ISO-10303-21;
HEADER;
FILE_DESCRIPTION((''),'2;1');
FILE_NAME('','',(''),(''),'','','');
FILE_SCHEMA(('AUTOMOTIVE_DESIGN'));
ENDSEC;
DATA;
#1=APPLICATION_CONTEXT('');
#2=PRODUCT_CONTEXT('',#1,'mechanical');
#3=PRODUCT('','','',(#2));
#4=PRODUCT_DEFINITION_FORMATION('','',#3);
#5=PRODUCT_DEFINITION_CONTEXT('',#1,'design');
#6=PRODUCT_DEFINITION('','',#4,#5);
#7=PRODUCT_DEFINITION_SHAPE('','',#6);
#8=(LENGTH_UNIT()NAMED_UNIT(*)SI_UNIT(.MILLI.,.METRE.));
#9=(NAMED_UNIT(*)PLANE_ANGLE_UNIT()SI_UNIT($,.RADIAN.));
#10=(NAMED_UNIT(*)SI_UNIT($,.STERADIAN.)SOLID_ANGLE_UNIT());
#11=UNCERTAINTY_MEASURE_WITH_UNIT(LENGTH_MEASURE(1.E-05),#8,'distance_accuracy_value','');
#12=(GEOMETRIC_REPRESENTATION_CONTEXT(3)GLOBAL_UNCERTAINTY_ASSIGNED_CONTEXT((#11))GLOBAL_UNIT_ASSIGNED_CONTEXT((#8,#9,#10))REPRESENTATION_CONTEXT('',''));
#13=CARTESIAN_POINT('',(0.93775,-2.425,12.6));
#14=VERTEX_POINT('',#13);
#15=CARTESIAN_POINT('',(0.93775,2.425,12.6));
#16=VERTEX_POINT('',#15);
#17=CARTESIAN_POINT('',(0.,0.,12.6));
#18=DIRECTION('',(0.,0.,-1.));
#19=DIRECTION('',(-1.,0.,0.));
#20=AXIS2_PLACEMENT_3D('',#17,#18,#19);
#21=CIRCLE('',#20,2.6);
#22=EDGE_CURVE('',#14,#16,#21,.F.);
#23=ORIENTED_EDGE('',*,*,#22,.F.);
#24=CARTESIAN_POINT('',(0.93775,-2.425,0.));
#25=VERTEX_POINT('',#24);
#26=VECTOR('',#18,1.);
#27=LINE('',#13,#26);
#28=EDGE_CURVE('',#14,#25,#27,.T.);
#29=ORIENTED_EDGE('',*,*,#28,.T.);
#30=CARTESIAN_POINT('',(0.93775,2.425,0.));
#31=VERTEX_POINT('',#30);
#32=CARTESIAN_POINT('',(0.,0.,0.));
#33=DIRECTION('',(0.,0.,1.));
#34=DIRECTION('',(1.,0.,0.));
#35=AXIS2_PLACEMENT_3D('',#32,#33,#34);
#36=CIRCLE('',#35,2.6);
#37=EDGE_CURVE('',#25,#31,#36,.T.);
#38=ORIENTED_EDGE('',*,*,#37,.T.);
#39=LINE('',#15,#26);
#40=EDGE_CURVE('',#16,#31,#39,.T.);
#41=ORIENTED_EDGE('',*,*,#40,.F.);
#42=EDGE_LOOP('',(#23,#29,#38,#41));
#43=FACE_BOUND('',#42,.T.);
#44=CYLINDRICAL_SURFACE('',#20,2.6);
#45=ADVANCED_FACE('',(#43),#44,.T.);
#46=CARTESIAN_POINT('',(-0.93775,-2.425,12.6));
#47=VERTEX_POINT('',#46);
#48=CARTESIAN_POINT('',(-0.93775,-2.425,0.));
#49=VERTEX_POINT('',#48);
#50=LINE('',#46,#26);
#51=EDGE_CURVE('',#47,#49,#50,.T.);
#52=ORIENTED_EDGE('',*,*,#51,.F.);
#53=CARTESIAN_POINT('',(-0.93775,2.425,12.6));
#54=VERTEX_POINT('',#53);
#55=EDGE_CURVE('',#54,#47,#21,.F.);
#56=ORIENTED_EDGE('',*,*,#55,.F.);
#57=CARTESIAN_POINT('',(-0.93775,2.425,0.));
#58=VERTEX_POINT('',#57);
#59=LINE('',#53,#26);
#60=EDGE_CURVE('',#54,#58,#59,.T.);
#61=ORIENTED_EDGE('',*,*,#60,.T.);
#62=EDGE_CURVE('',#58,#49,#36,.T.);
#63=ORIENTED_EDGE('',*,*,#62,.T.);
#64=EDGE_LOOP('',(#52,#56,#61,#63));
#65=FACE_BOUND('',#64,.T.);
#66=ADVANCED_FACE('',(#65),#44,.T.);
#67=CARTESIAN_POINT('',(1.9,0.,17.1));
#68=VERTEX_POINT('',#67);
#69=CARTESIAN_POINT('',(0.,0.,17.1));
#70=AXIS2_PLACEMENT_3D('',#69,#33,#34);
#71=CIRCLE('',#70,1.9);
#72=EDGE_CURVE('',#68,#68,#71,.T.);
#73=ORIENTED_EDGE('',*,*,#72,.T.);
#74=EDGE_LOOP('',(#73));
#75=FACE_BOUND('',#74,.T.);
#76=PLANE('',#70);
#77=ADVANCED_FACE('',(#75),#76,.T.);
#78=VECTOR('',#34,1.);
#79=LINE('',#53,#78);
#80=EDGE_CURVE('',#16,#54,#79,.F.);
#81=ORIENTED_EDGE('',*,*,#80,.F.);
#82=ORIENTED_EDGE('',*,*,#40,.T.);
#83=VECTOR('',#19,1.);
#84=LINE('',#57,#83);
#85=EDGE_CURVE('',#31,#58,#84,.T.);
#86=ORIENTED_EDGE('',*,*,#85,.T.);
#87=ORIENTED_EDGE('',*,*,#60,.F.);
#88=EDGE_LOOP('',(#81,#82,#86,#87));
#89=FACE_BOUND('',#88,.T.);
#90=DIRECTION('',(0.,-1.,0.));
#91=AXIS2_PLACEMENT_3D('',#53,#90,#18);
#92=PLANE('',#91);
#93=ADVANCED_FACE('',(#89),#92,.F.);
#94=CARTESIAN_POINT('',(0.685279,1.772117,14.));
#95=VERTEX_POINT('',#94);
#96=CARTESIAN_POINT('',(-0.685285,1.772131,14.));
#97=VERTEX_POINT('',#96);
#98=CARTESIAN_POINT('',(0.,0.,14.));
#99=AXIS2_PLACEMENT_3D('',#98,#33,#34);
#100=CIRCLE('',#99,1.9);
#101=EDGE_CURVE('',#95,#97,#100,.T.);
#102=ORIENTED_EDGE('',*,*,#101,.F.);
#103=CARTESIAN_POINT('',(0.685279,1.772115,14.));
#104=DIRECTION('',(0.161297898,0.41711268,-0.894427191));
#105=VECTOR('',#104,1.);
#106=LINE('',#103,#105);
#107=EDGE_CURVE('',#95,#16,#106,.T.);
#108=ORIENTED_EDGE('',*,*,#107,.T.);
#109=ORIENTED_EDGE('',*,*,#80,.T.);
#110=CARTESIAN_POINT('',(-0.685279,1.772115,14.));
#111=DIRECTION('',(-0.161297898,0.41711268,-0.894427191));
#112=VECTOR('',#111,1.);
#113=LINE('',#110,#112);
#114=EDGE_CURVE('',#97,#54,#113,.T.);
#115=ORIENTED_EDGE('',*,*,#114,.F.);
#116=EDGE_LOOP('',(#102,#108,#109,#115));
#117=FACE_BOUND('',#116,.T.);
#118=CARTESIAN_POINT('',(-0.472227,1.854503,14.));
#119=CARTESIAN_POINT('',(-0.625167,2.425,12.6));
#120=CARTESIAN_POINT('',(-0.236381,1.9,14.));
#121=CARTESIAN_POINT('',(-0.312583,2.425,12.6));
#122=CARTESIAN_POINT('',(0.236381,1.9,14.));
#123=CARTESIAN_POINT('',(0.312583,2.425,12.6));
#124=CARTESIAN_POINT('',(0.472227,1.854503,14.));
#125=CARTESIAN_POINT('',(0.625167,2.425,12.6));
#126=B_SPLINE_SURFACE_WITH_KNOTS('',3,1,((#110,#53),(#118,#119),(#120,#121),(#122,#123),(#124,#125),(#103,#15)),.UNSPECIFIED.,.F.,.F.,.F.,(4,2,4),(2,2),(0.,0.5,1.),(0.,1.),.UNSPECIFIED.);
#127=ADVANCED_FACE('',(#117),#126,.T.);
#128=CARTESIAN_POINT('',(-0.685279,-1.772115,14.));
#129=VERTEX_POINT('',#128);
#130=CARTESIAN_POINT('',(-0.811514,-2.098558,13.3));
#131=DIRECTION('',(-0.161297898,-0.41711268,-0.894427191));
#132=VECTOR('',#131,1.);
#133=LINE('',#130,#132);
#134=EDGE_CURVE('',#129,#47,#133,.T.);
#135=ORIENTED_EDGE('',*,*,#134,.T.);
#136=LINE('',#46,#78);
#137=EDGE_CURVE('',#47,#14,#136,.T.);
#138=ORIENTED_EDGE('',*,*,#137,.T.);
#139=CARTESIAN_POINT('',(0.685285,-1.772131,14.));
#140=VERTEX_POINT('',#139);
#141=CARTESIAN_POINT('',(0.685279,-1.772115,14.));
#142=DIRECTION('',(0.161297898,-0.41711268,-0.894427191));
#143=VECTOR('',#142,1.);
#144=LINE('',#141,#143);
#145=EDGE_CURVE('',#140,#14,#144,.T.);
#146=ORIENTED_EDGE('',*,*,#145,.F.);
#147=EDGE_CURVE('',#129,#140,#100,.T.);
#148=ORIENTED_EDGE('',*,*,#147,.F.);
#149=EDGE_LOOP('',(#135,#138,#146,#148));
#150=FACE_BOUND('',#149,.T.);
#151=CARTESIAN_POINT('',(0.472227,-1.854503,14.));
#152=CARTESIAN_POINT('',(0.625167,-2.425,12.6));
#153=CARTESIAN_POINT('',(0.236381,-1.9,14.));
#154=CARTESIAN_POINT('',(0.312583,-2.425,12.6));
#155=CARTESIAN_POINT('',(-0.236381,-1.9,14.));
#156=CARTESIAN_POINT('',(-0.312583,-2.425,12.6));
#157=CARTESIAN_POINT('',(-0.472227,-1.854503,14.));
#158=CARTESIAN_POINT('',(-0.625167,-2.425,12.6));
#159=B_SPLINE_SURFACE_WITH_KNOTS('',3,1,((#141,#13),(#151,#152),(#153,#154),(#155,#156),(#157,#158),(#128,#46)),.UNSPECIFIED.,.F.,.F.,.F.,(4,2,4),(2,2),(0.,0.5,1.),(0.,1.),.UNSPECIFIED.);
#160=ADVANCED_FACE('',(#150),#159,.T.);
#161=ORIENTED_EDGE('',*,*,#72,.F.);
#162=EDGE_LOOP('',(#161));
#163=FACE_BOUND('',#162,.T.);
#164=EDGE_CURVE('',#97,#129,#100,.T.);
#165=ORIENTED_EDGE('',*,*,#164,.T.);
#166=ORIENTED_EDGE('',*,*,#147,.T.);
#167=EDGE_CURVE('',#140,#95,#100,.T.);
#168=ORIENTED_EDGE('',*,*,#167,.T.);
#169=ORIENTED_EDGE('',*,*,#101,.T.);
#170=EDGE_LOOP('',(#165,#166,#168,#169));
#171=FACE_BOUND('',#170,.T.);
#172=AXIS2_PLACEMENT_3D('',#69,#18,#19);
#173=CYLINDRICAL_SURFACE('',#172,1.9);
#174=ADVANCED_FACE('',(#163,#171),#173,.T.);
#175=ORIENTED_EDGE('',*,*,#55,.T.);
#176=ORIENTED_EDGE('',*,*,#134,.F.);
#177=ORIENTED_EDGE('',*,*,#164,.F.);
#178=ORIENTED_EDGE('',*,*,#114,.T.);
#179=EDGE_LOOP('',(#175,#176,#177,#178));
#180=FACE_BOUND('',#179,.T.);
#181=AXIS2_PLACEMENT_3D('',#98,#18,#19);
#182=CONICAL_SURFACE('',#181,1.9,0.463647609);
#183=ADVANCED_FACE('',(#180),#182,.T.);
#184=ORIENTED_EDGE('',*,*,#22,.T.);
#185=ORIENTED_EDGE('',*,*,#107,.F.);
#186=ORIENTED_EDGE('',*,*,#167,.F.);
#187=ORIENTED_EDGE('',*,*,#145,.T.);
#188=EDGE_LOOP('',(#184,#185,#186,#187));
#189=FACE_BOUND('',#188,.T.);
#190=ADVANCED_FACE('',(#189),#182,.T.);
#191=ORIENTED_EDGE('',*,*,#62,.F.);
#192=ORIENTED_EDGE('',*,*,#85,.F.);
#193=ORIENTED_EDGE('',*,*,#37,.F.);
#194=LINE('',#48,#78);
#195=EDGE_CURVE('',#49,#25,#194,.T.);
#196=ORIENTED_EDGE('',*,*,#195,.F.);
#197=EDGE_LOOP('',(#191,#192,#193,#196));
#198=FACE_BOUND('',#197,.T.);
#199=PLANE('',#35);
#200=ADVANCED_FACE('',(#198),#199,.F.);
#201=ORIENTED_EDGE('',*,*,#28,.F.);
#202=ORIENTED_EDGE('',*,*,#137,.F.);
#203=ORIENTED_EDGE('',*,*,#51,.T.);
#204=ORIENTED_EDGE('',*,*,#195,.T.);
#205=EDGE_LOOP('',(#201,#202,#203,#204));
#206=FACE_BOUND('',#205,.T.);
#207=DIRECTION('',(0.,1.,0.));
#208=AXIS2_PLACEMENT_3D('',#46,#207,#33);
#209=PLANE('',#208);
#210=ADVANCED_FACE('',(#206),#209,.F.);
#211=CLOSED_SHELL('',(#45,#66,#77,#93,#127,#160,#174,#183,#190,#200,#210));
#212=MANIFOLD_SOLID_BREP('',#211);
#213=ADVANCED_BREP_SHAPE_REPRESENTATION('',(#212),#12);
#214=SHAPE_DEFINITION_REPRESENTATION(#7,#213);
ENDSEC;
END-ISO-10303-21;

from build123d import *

# Parameters (mm, degrees)
BOSS_EXTRUDE1_DEPTH = 12.6
SKETCH2_R           = 1.9
BOSS_EXTRUDE2_DEPTH = 3.1


with BuildPart() as part:
    # Sketch1 → Boss-Extrude1 (new body)
    with BuildSketch(Plane.XY):
        with BuildLine():
            Line((-0.937749967, 2.425), (0.937749967, 2.425))
            ThreePointArc((0.937749967, 2.425), (2.6, 0), (0.937749967, -2.425))
            Line((0.937749967, -2.425), (-0.937749967, -2.425))
            ThreePointArc((-0.937749967, -2.425), (-2.6, 0), (-0.937749967, 2.425))
        make_face()
    extrude(amount=BOSS_EXTRUDE1_DEPTH)

    # Sketch2 → Loft1 section 0
    with BuildSketch(Plane.XY.offset(14)):
        Circle(SKETCH2_R)
    # Sketch3 → Loft1 section 1
    with BuildSketch(Plane.XY.offset(12.6)):
        with BuildLine():
            Line((-0.937749967, -2.425), (0.937749967, -2.425))
            ThreePointArc((0.937749967, -2.425), (2.6, 0), (0.937749967, 2.425))
            Line((0.937749967, 2.425), (-0.937749967, 2.425))
            ThreePointArc((-0.937749967, 2.425), (-2.6, 0), (-0.937749967, -2.425))
        make_face()
    loft()

    # Sketch4 → Boss-Extrude2 (add)
    with BuildSketch(Plane.XY.offset(14)):
        with BuildLine():
            ThreePointArc((0.685278822, 1.772115385), (0, 1.9), (-0.685278822, 1.772115385))
            ThreePointArc((-0.685278822, 1.772115385), (-1.9, 0), (-0.685278822, -1.772115385))
            ThreePointArc((-0.685278822, -1.772115385), (0, -1.9), (0.685278822, -1.772115385))
            ThreePointArc((0.685278822, -1.772115385), (1.9, 0), (0.685278822, 1.772115385))
        make_face()
    extrude(amount=BOSS_EXTRUDE2_DEPTH)


solid = part.part
